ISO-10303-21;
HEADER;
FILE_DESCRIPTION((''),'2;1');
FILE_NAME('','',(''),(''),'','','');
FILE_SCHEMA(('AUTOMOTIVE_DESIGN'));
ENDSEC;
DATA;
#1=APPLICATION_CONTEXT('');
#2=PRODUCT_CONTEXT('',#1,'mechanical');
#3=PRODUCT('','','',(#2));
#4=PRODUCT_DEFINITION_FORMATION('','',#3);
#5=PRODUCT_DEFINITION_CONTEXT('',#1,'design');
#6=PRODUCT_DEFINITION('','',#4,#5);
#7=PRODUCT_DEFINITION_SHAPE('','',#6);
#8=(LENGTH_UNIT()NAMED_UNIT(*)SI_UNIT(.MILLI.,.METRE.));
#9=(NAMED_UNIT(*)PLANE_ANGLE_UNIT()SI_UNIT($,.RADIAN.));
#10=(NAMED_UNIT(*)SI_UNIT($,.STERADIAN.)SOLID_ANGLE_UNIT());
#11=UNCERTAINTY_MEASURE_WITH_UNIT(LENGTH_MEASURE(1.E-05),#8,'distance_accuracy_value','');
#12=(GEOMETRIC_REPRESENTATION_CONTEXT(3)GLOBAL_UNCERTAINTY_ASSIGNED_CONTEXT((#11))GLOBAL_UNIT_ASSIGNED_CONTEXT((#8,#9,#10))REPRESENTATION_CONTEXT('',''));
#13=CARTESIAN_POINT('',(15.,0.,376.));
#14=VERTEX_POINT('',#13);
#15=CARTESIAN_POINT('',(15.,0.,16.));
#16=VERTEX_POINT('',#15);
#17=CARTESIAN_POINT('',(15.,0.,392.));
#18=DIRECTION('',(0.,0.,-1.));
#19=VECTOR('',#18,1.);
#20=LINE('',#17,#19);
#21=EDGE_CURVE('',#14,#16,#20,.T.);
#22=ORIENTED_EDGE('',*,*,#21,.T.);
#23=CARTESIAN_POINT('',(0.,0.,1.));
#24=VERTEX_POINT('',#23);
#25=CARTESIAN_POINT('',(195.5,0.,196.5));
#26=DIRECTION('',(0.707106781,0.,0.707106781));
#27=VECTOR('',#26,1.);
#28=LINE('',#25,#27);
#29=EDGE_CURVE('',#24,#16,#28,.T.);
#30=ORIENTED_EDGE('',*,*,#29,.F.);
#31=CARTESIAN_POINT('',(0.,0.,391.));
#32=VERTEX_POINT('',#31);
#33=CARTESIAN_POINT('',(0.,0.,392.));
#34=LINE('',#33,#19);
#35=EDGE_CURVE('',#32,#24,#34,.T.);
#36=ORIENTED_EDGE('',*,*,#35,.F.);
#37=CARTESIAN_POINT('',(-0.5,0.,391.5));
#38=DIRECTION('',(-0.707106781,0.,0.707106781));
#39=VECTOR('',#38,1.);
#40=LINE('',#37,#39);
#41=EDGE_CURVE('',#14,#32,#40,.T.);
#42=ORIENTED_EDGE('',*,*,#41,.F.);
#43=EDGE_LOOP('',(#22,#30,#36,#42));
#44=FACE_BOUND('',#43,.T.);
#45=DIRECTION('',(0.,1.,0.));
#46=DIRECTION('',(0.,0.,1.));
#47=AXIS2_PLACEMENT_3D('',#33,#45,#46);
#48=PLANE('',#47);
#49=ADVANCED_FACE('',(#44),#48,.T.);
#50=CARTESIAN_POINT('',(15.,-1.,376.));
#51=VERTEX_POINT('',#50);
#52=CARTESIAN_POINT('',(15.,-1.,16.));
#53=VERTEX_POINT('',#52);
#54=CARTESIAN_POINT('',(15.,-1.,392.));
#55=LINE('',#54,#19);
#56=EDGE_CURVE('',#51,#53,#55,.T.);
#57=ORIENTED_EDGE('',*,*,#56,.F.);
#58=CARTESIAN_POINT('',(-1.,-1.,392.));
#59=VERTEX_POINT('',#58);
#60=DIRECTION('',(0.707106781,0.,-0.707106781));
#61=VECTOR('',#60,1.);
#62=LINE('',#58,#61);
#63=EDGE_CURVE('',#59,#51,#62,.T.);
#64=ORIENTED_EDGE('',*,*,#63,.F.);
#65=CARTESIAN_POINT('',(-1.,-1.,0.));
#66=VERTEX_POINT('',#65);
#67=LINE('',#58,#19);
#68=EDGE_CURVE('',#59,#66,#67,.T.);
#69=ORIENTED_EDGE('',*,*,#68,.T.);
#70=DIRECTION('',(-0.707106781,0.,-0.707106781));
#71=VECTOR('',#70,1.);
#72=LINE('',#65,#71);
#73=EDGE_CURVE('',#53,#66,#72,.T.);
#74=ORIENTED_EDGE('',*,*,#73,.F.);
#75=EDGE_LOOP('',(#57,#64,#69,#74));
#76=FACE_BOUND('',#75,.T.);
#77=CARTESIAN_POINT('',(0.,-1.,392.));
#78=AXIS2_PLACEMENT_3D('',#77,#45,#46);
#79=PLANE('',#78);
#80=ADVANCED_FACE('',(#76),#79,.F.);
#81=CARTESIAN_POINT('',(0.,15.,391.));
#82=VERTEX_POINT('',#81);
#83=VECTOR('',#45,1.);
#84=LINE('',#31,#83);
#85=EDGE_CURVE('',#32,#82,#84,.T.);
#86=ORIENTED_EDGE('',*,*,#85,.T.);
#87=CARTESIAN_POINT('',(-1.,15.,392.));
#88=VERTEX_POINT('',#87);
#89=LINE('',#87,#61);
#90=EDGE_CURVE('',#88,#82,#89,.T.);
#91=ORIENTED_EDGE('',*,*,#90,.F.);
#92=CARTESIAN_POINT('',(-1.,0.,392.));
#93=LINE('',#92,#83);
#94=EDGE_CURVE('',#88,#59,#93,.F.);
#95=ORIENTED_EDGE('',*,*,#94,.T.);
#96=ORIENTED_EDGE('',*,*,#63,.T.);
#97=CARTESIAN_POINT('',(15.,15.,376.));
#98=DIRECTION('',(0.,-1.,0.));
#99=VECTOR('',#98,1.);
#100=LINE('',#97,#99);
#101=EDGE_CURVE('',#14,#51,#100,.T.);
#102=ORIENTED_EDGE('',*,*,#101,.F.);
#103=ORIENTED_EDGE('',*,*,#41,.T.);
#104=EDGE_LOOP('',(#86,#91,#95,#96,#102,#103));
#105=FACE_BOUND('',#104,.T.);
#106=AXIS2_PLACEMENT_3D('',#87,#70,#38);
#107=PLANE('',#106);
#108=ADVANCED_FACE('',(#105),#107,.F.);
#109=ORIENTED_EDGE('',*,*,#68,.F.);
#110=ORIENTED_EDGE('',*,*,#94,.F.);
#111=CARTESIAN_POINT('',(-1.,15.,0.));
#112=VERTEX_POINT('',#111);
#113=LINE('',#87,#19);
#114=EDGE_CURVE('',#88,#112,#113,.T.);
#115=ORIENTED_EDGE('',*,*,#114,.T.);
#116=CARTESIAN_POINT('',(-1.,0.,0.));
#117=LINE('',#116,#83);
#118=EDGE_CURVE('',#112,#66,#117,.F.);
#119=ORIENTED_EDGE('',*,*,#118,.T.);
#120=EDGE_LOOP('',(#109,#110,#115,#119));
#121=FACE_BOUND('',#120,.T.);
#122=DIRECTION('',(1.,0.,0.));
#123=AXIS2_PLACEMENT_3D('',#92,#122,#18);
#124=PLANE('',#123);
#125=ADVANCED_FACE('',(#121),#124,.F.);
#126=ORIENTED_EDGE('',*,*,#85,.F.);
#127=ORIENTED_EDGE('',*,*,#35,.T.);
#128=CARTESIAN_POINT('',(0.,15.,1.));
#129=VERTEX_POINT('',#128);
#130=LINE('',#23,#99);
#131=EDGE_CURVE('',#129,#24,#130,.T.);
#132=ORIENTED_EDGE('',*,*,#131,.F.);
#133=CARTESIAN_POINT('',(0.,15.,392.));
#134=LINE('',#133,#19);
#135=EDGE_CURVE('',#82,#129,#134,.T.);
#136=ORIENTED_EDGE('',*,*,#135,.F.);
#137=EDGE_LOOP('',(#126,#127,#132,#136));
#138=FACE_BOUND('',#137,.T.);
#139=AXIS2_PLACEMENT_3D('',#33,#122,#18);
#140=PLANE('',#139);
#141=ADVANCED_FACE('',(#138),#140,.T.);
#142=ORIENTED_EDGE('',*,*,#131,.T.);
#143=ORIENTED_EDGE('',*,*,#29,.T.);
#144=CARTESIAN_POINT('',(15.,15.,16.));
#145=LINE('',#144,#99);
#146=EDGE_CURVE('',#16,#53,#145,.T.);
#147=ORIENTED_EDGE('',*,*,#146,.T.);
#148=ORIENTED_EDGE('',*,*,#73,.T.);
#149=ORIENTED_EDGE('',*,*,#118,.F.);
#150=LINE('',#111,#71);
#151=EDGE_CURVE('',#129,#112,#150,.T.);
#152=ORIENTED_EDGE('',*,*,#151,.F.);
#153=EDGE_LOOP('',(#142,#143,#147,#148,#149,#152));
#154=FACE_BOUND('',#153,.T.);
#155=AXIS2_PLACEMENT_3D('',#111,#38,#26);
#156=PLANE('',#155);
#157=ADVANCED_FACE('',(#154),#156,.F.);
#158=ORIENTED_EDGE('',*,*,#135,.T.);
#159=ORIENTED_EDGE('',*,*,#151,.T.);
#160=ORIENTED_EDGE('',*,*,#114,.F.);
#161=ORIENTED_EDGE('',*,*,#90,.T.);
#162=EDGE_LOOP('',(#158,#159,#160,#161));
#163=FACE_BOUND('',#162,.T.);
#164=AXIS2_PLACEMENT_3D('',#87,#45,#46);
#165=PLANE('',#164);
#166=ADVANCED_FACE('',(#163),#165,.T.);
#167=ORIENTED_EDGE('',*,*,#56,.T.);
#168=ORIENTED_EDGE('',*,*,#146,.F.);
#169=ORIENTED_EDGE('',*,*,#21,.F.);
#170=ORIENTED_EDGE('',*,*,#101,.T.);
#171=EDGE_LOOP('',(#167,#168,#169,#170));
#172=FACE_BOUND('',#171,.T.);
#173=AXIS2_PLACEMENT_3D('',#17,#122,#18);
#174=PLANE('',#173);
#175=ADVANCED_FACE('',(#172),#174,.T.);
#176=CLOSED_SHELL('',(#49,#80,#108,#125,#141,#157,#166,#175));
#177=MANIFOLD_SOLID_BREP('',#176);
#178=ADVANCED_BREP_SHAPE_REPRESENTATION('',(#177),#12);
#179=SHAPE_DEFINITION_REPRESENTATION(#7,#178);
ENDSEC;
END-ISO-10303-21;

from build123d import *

# Parameters (mm, degrees)
EXTRUDE_THIN1_DEPTH = 392
CUT_EXTRUDE1_DEPTH  = 393.613041047


with BuildPart() as part:
    # Sketch1 → Extrude-Thin1 (new body)
    with BuildSketch(Plane.XY):
        Polygon((15, 0), (0, 0), (0, 15), (-1, 15), (-1, -1), (15, -1), align=None)
    extrude(amount=EXTRUDE_THIN1_DEPTH)

    # Sketch2 → Cut-Extrude1 (cut, through all)
    with BuildSketch(Plane.XZ.offset(1)):
        Polygon((-1, 392), (15, 376), (15, 392), align=None)
        Polygon((15, 16), (15, 0), (-1, 0), align=None)
    extrude(amount=-CUT_EXTRUDE1_DEPTH, mode=Mode.SUBTRACT)


solid = part.part
